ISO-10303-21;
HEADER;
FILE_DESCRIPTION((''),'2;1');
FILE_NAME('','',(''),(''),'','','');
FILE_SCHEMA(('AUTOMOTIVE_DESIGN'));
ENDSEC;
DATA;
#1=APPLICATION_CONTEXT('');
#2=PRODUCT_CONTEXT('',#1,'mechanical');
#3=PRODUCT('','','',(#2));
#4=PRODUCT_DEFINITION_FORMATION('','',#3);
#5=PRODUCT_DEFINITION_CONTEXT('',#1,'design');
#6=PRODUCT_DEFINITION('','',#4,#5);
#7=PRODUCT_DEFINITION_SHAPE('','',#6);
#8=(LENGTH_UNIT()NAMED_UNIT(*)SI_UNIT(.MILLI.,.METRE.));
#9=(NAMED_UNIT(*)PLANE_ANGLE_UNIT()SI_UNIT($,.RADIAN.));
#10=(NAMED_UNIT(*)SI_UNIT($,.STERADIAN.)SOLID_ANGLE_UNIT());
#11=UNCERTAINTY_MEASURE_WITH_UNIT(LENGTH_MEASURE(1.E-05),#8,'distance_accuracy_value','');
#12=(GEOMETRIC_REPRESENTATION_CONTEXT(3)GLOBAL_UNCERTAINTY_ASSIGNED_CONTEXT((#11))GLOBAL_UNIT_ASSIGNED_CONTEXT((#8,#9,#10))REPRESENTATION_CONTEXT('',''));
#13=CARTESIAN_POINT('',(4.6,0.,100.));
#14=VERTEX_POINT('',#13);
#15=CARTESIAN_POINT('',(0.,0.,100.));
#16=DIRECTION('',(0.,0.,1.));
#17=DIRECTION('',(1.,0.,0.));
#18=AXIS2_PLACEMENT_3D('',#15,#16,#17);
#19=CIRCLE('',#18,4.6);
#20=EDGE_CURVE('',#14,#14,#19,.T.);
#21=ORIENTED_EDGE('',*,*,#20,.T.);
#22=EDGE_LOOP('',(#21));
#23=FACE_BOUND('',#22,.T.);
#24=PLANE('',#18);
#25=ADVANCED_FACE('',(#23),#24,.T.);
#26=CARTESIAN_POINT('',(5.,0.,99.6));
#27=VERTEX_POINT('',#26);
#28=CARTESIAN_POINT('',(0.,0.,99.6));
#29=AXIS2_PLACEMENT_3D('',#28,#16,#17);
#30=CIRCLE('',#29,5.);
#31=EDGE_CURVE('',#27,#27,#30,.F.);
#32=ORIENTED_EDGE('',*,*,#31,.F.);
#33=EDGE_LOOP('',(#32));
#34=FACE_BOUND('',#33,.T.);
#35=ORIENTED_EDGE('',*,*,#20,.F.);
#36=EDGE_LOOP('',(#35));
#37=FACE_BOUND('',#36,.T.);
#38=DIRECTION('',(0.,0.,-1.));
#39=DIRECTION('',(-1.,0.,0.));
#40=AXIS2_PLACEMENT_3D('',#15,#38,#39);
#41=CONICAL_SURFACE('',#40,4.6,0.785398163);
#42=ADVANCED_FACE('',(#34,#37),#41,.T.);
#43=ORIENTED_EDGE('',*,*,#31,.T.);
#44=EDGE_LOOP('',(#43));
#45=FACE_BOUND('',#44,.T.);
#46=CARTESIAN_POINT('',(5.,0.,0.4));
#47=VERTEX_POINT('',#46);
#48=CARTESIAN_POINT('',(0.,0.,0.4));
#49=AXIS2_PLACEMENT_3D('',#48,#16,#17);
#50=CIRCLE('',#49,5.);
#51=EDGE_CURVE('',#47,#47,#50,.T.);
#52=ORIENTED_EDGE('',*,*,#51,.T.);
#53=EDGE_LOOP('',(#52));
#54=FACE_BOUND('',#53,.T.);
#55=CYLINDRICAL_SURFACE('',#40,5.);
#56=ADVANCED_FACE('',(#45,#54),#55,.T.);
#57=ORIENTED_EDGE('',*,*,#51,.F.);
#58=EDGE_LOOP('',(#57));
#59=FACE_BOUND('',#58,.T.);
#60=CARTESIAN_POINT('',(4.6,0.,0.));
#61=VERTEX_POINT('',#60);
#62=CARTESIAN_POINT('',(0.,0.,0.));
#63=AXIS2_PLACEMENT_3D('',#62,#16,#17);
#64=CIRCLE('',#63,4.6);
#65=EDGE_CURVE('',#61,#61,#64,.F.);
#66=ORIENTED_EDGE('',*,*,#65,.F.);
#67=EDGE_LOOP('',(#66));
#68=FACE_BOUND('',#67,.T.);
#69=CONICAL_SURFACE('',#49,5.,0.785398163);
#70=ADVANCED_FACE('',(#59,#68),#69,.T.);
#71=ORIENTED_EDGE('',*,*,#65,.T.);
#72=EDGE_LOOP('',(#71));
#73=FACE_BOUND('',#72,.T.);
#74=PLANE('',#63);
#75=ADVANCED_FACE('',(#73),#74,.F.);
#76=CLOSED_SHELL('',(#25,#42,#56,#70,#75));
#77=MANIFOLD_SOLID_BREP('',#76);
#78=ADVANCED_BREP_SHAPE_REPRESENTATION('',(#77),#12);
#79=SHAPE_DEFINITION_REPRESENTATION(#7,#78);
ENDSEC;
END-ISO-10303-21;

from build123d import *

# Parameters (mm, degrees)
SKIZZE1_R                       = 5
AUFSATZ_LINEAR_AUSTRAGEN1_DEPTH = 100
FASE1_SIZE                      = 0.4


with BuildPart() as part:
    # Skizze1 → Aufsatz-Linear austragen1 (new body)
    with BuildSketch(Plane.XY):
        Circle(SKIZZE1_R)
    extrude(amount=AUFSATZ_LINEAR_AUSTRAGEN1_DEPTH)

    # Fase1
    fase1_edges = [part.edges().sort_by_distance(p)[0] for p in [
        (-5, 0, 0),
        (-5, 0, 100),
    ]]
    chamfer(fase1_edges, length=FASE1_SIZE)


solid = part.part
